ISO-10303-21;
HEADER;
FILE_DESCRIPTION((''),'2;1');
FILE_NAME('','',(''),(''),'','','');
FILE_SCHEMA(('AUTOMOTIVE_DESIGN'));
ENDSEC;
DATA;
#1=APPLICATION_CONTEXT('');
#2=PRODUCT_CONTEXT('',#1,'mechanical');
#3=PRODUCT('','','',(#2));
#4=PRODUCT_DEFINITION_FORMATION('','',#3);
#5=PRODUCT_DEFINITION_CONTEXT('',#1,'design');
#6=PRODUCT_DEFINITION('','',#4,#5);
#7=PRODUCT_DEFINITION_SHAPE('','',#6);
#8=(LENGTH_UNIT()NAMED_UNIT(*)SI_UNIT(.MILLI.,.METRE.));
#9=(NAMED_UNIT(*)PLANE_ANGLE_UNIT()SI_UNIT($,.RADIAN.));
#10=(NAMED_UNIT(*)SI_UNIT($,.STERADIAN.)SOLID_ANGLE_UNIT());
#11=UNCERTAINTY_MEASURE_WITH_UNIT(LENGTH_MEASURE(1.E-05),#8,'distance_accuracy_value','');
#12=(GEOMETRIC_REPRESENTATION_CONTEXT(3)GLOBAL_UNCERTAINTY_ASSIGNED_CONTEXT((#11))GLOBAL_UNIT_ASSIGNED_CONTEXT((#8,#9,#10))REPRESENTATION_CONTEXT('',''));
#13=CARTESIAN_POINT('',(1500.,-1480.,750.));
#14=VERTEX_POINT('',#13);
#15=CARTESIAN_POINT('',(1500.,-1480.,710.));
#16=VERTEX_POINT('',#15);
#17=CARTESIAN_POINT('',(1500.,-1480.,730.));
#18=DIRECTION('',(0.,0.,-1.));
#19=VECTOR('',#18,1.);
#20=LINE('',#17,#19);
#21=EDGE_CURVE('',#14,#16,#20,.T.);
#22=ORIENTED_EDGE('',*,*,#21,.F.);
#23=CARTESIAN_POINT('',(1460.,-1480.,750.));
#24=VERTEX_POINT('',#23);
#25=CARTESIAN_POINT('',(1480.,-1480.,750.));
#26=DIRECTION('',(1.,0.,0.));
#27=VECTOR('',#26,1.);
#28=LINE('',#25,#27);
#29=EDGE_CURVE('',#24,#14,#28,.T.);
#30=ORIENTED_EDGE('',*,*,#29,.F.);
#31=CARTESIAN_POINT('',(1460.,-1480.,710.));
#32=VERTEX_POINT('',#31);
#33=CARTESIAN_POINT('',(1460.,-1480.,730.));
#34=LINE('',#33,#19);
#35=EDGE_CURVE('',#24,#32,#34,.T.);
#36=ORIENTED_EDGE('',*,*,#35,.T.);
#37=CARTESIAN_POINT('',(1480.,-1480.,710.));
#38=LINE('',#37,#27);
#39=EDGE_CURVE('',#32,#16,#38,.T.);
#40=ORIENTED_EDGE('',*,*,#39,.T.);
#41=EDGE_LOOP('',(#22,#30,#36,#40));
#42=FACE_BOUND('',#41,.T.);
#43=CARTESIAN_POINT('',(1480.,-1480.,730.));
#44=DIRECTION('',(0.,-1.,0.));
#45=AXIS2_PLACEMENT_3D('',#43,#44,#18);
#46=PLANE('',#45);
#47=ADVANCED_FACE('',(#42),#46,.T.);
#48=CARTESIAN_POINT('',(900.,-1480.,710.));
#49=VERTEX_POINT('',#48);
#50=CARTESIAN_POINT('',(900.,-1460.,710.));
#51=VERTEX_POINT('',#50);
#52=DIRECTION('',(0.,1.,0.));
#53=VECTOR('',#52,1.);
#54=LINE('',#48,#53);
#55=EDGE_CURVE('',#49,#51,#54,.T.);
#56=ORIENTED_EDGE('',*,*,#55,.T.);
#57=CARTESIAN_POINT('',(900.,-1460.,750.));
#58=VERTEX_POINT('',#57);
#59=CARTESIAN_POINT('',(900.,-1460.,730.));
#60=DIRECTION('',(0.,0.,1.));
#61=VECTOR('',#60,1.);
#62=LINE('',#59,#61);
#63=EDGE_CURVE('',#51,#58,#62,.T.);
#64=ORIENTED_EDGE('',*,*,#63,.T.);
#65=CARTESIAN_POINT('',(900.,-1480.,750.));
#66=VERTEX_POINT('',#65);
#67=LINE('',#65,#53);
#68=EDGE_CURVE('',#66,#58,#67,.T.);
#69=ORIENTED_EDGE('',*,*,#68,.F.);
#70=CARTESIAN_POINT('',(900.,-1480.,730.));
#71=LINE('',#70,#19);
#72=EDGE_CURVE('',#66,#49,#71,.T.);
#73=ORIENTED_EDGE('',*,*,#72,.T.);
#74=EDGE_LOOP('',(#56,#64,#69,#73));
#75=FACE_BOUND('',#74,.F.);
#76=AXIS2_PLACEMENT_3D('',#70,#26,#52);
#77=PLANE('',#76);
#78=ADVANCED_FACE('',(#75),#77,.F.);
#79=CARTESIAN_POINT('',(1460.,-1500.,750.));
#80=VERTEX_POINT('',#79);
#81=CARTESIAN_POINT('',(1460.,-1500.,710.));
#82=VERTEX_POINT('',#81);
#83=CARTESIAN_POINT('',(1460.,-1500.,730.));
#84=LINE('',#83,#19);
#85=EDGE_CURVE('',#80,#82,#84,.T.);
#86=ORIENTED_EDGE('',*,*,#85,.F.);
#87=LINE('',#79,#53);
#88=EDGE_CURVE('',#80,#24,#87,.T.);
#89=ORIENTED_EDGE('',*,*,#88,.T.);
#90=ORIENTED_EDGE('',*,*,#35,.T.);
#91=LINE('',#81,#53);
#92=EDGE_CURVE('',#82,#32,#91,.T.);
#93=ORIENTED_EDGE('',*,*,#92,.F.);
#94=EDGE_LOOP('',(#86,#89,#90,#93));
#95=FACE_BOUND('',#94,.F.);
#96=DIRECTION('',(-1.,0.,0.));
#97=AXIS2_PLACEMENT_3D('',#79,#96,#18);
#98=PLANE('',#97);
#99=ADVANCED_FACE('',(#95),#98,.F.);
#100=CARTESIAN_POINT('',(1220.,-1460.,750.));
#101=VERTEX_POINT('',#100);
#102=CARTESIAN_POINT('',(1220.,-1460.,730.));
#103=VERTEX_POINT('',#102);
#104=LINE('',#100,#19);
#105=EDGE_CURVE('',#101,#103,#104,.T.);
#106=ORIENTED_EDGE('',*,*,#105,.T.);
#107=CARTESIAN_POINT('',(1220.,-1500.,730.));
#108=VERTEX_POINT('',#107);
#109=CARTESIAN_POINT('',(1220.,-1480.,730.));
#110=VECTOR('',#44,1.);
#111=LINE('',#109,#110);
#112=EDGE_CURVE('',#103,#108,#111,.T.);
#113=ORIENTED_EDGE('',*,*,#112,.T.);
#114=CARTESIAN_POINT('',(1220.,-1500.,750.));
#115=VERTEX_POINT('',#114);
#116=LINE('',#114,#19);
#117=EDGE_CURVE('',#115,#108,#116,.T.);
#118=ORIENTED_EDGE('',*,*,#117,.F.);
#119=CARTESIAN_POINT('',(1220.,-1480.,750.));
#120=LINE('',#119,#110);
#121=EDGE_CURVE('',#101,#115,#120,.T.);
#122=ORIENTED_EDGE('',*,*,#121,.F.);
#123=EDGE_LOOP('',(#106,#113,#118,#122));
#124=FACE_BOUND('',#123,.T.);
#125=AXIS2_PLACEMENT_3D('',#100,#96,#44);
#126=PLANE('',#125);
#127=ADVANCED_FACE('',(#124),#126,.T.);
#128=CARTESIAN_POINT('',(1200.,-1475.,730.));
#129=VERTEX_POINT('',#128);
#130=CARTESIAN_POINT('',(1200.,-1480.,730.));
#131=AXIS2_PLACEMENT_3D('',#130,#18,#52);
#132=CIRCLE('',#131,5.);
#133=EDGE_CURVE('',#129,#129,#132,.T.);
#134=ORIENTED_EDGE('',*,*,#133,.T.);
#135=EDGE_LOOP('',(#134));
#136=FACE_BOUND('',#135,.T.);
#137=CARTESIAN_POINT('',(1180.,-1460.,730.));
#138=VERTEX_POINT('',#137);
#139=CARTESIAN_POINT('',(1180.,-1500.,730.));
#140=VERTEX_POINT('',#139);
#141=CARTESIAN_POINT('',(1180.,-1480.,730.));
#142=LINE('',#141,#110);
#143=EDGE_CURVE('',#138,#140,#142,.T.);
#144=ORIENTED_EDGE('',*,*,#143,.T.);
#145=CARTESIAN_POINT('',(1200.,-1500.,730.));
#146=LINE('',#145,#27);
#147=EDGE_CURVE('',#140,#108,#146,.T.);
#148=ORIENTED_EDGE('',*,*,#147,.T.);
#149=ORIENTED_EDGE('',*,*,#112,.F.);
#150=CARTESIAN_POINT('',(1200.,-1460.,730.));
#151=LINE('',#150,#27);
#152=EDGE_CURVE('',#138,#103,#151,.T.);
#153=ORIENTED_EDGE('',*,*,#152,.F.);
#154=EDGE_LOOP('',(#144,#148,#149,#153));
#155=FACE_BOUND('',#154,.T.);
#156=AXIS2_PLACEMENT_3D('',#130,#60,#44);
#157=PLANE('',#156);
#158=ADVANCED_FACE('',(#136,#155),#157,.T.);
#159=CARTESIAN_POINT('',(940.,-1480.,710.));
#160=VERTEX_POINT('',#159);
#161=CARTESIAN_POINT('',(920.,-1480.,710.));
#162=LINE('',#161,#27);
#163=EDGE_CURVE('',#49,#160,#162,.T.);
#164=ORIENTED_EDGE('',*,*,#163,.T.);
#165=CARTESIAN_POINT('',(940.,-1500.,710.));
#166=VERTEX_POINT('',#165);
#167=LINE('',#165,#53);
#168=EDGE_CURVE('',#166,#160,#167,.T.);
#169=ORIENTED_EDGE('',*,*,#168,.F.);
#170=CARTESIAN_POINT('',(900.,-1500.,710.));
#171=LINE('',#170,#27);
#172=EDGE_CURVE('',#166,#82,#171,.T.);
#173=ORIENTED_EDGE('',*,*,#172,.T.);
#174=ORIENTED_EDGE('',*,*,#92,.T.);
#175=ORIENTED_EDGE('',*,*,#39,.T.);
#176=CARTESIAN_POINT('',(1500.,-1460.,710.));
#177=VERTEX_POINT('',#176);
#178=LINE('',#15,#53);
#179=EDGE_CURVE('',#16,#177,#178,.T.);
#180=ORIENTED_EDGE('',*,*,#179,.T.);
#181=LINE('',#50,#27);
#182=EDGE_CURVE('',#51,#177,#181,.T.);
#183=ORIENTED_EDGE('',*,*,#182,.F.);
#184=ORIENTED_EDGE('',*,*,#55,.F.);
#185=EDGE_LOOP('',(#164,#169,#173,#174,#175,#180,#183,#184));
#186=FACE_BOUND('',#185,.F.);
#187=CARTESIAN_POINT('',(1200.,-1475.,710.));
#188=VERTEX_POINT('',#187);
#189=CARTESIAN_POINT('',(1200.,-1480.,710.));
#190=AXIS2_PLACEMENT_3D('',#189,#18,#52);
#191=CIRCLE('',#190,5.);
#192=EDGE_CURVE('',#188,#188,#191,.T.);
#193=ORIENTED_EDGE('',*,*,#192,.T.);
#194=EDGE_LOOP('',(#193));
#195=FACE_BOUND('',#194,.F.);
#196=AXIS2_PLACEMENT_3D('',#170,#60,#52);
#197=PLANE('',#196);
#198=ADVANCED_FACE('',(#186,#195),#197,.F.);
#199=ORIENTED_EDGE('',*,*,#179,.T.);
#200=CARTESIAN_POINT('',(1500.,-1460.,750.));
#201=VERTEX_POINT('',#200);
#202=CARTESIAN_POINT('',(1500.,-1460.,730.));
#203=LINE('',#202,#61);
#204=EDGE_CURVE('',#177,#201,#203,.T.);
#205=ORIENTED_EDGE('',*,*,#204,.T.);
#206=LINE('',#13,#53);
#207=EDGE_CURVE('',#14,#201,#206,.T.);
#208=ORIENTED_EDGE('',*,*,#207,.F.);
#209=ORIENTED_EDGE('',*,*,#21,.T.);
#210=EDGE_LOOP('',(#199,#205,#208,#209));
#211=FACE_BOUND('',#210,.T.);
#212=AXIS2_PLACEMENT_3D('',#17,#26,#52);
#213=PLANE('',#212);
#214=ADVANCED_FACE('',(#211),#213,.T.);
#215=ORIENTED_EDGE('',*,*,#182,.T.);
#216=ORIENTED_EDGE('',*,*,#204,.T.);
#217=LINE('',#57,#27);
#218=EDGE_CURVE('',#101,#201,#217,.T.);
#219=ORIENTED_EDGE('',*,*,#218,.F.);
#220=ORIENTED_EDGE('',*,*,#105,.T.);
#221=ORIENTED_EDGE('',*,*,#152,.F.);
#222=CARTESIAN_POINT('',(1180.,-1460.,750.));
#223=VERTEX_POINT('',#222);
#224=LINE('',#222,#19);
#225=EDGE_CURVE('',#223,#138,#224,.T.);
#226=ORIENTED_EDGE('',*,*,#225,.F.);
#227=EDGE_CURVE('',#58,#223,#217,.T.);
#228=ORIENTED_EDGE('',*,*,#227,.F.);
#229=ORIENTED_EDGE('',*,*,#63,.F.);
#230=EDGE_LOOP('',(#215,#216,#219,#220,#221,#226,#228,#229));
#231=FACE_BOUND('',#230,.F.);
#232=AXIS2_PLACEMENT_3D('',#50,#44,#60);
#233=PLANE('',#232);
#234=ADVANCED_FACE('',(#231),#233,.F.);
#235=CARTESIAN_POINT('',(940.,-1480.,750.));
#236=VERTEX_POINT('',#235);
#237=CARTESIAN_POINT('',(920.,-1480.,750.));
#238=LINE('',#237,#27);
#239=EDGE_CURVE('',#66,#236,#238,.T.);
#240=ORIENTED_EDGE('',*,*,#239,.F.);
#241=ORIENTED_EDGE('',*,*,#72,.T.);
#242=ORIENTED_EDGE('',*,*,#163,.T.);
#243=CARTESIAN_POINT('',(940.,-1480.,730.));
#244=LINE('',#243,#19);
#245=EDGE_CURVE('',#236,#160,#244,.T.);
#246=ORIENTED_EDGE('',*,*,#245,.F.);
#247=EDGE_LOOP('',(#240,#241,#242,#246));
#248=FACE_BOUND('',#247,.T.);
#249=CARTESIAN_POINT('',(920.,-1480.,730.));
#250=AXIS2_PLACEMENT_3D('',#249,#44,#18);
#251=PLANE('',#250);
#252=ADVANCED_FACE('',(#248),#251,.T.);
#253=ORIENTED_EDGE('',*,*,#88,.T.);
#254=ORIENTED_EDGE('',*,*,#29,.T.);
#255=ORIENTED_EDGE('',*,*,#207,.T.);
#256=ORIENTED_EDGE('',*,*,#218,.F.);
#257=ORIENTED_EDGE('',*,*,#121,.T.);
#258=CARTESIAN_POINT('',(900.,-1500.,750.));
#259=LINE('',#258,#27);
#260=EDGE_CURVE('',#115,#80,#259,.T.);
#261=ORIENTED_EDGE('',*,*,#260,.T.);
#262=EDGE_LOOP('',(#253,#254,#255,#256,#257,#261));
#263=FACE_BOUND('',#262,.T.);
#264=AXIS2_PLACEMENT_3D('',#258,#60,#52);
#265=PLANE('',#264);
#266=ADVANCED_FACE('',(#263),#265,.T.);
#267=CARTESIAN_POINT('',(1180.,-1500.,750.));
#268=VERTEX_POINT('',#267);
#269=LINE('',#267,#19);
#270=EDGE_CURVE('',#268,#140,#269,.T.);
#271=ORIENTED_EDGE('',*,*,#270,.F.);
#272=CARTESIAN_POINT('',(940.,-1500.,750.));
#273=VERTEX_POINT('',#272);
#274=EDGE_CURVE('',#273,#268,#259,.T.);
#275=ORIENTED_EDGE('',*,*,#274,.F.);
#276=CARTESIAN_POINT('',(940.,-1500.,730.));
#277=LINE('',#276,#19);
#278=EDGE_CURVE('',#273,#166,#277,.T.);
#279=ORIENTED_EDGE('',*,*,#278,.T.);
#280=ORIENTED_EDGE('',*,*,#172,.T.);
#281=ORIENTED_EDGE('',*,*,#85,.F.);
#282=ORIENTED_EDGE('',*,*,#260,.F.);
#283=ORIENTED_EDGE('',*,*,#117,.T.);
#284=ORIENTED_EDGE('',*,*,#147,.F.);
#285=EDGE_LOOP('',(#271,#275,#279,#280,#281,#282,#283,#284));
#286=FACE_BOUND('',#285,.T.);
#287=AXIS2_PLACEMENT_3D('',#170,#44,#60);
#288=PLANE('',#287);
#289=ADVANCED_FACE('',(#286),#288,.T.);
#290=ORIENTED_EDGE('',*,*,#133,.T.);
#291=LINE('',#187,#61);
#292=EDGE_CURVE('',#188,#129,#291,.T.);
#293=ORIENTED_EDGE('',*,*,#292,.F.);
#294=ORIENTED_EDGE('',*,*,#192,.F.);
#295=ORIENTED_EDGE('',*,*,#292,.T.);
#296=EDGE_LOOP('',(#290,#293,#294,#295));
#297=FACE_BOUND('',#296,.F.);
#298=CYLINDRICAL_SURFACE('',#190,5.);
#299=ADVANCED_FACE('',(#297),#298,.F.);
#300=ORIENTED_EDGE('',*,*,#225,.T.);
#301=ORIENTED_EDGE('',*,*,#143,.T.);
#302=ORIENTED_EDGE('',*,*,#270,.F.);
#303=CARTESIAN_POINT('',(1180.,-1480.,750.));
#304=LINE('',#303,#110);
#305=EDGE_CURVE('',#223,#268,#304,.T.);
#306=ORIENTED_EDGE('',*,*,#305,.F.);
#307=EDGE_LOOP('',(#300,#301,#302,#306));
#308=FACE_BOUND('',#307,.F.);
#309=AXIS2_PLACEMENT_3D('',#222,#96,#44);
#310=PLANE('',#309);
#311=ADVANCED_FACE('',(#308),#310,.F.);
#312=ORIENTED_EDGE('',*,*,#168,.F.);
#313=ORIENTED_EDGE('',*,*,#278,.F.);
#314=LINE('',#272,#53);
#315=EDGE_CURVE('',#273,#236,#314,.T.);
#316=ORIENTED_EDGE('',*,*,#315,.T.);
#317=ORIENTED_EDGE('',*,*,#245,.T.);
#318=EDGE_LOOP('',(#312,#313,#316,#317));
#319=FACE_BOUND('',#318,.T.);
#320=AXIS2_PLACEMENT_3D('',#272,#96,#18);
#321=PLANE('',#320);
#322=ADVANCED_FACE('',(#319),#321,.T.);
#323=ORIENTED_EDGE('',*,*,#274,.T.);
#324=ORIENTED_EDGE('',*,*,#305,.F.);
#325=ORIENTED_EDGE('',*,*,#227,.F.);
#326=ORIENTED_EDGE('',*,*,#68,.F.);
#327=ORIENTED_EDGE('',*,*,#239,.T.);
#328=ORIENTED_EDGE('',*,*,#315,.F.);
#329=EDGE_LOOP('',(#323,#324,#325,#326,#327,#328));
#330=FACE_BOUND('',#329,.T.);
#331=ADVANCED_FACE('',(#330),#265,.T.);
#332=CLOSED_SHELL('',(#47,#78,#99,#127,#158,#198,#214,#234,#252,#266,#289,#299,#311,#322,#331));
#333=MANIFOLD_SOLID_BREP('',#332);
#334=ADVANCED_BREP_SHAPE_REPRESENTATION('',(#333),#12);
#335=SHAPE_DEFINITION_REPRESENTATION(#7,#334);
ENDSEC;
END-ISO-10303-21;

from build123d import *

# Parameters (mm, degrees)
SKETCH018_W              = 40
SKETCH018_H              = 40
PAD018_DEPTH             = 600
SKETCH019_W              = 40
SKETCH019_H              = 40
POCKET_DEPTH             = 20
SKETCH020_W              = 40
SKETCH020_H              = 40
POCKET001_DEPTH          = 20
SKETCH064_R              = 5
POCKET019_DEPTH          = 40.001
CLONE009_PLACEMENT_ANGLE = 90


with BuildPart() as part:
    # Sketch018 → Pad018 (new body)
    with BuildSketch(Plane.XZ):
        with Locations((20, 280)):
            Rectangle(SKETCH018_W, SKETCH018_H)
    extrude(amount=PAD018_DEPTH)

    # Sketch019 (on Face4 of Pad018) → Pocket (cut)
    with BuildSketch(Plane(origin=(0, 0, 0), x_dir=(0, 0, -1), z_dir=(-1, 0, 0))):
        with Locations((-280, 580)):
            Rectangle(SKETCH019_W, SKETCH019_H)
        with Locations((-280, 20)):
            Rectangle(SKETCH019_W, SKETCH019_H)
    extrude(amount=-POCKET_DEPTH, mode=Mode.SUBTRACT)

    # Sketch020 (on Face1 of Pocket) → Pocket001 (cut)
    with BuildSketch(Plane(origin=(0, 0, 300), x_dir=(-1, 0, 0), z_dir=(0, 0, 1))):
        with Locations((-20, 300)):
            Rectangle(SKETCH020_W, SKETCH020_H)
    extrude(amount=-POCKET001_DEPTH, mode=Mode.SUBTRACT)

    # Sketch064 (on Face8 of Pocket001) → Pocket019 (cut, through all)
    with BuildSketch(Plane(origin=(0, 0, 260), x_dir=(1, 0, 0), z_dir=(0, 0, -1))):
        with Locations((20, 300)):
            Circle(SKETCH064_R)
    extrude(amount=-POCKET019_DEPTH, mode=Mode.SUBTRACT)


with BuildPart() as part_1:
    # Clone009 placement: moved
    add(part.part.moved(Location((900, -1500, 0))).rotate(Axis((900, -1500, 0), (0, 0, 1)), CLONE009_PLACEMENT_ANGLE))


with BuildPart() as part_2:
    # Clone014 placement: moved
    add(part_1.part.moved(Location((0, 0, 450))))


solid = part_2.part
